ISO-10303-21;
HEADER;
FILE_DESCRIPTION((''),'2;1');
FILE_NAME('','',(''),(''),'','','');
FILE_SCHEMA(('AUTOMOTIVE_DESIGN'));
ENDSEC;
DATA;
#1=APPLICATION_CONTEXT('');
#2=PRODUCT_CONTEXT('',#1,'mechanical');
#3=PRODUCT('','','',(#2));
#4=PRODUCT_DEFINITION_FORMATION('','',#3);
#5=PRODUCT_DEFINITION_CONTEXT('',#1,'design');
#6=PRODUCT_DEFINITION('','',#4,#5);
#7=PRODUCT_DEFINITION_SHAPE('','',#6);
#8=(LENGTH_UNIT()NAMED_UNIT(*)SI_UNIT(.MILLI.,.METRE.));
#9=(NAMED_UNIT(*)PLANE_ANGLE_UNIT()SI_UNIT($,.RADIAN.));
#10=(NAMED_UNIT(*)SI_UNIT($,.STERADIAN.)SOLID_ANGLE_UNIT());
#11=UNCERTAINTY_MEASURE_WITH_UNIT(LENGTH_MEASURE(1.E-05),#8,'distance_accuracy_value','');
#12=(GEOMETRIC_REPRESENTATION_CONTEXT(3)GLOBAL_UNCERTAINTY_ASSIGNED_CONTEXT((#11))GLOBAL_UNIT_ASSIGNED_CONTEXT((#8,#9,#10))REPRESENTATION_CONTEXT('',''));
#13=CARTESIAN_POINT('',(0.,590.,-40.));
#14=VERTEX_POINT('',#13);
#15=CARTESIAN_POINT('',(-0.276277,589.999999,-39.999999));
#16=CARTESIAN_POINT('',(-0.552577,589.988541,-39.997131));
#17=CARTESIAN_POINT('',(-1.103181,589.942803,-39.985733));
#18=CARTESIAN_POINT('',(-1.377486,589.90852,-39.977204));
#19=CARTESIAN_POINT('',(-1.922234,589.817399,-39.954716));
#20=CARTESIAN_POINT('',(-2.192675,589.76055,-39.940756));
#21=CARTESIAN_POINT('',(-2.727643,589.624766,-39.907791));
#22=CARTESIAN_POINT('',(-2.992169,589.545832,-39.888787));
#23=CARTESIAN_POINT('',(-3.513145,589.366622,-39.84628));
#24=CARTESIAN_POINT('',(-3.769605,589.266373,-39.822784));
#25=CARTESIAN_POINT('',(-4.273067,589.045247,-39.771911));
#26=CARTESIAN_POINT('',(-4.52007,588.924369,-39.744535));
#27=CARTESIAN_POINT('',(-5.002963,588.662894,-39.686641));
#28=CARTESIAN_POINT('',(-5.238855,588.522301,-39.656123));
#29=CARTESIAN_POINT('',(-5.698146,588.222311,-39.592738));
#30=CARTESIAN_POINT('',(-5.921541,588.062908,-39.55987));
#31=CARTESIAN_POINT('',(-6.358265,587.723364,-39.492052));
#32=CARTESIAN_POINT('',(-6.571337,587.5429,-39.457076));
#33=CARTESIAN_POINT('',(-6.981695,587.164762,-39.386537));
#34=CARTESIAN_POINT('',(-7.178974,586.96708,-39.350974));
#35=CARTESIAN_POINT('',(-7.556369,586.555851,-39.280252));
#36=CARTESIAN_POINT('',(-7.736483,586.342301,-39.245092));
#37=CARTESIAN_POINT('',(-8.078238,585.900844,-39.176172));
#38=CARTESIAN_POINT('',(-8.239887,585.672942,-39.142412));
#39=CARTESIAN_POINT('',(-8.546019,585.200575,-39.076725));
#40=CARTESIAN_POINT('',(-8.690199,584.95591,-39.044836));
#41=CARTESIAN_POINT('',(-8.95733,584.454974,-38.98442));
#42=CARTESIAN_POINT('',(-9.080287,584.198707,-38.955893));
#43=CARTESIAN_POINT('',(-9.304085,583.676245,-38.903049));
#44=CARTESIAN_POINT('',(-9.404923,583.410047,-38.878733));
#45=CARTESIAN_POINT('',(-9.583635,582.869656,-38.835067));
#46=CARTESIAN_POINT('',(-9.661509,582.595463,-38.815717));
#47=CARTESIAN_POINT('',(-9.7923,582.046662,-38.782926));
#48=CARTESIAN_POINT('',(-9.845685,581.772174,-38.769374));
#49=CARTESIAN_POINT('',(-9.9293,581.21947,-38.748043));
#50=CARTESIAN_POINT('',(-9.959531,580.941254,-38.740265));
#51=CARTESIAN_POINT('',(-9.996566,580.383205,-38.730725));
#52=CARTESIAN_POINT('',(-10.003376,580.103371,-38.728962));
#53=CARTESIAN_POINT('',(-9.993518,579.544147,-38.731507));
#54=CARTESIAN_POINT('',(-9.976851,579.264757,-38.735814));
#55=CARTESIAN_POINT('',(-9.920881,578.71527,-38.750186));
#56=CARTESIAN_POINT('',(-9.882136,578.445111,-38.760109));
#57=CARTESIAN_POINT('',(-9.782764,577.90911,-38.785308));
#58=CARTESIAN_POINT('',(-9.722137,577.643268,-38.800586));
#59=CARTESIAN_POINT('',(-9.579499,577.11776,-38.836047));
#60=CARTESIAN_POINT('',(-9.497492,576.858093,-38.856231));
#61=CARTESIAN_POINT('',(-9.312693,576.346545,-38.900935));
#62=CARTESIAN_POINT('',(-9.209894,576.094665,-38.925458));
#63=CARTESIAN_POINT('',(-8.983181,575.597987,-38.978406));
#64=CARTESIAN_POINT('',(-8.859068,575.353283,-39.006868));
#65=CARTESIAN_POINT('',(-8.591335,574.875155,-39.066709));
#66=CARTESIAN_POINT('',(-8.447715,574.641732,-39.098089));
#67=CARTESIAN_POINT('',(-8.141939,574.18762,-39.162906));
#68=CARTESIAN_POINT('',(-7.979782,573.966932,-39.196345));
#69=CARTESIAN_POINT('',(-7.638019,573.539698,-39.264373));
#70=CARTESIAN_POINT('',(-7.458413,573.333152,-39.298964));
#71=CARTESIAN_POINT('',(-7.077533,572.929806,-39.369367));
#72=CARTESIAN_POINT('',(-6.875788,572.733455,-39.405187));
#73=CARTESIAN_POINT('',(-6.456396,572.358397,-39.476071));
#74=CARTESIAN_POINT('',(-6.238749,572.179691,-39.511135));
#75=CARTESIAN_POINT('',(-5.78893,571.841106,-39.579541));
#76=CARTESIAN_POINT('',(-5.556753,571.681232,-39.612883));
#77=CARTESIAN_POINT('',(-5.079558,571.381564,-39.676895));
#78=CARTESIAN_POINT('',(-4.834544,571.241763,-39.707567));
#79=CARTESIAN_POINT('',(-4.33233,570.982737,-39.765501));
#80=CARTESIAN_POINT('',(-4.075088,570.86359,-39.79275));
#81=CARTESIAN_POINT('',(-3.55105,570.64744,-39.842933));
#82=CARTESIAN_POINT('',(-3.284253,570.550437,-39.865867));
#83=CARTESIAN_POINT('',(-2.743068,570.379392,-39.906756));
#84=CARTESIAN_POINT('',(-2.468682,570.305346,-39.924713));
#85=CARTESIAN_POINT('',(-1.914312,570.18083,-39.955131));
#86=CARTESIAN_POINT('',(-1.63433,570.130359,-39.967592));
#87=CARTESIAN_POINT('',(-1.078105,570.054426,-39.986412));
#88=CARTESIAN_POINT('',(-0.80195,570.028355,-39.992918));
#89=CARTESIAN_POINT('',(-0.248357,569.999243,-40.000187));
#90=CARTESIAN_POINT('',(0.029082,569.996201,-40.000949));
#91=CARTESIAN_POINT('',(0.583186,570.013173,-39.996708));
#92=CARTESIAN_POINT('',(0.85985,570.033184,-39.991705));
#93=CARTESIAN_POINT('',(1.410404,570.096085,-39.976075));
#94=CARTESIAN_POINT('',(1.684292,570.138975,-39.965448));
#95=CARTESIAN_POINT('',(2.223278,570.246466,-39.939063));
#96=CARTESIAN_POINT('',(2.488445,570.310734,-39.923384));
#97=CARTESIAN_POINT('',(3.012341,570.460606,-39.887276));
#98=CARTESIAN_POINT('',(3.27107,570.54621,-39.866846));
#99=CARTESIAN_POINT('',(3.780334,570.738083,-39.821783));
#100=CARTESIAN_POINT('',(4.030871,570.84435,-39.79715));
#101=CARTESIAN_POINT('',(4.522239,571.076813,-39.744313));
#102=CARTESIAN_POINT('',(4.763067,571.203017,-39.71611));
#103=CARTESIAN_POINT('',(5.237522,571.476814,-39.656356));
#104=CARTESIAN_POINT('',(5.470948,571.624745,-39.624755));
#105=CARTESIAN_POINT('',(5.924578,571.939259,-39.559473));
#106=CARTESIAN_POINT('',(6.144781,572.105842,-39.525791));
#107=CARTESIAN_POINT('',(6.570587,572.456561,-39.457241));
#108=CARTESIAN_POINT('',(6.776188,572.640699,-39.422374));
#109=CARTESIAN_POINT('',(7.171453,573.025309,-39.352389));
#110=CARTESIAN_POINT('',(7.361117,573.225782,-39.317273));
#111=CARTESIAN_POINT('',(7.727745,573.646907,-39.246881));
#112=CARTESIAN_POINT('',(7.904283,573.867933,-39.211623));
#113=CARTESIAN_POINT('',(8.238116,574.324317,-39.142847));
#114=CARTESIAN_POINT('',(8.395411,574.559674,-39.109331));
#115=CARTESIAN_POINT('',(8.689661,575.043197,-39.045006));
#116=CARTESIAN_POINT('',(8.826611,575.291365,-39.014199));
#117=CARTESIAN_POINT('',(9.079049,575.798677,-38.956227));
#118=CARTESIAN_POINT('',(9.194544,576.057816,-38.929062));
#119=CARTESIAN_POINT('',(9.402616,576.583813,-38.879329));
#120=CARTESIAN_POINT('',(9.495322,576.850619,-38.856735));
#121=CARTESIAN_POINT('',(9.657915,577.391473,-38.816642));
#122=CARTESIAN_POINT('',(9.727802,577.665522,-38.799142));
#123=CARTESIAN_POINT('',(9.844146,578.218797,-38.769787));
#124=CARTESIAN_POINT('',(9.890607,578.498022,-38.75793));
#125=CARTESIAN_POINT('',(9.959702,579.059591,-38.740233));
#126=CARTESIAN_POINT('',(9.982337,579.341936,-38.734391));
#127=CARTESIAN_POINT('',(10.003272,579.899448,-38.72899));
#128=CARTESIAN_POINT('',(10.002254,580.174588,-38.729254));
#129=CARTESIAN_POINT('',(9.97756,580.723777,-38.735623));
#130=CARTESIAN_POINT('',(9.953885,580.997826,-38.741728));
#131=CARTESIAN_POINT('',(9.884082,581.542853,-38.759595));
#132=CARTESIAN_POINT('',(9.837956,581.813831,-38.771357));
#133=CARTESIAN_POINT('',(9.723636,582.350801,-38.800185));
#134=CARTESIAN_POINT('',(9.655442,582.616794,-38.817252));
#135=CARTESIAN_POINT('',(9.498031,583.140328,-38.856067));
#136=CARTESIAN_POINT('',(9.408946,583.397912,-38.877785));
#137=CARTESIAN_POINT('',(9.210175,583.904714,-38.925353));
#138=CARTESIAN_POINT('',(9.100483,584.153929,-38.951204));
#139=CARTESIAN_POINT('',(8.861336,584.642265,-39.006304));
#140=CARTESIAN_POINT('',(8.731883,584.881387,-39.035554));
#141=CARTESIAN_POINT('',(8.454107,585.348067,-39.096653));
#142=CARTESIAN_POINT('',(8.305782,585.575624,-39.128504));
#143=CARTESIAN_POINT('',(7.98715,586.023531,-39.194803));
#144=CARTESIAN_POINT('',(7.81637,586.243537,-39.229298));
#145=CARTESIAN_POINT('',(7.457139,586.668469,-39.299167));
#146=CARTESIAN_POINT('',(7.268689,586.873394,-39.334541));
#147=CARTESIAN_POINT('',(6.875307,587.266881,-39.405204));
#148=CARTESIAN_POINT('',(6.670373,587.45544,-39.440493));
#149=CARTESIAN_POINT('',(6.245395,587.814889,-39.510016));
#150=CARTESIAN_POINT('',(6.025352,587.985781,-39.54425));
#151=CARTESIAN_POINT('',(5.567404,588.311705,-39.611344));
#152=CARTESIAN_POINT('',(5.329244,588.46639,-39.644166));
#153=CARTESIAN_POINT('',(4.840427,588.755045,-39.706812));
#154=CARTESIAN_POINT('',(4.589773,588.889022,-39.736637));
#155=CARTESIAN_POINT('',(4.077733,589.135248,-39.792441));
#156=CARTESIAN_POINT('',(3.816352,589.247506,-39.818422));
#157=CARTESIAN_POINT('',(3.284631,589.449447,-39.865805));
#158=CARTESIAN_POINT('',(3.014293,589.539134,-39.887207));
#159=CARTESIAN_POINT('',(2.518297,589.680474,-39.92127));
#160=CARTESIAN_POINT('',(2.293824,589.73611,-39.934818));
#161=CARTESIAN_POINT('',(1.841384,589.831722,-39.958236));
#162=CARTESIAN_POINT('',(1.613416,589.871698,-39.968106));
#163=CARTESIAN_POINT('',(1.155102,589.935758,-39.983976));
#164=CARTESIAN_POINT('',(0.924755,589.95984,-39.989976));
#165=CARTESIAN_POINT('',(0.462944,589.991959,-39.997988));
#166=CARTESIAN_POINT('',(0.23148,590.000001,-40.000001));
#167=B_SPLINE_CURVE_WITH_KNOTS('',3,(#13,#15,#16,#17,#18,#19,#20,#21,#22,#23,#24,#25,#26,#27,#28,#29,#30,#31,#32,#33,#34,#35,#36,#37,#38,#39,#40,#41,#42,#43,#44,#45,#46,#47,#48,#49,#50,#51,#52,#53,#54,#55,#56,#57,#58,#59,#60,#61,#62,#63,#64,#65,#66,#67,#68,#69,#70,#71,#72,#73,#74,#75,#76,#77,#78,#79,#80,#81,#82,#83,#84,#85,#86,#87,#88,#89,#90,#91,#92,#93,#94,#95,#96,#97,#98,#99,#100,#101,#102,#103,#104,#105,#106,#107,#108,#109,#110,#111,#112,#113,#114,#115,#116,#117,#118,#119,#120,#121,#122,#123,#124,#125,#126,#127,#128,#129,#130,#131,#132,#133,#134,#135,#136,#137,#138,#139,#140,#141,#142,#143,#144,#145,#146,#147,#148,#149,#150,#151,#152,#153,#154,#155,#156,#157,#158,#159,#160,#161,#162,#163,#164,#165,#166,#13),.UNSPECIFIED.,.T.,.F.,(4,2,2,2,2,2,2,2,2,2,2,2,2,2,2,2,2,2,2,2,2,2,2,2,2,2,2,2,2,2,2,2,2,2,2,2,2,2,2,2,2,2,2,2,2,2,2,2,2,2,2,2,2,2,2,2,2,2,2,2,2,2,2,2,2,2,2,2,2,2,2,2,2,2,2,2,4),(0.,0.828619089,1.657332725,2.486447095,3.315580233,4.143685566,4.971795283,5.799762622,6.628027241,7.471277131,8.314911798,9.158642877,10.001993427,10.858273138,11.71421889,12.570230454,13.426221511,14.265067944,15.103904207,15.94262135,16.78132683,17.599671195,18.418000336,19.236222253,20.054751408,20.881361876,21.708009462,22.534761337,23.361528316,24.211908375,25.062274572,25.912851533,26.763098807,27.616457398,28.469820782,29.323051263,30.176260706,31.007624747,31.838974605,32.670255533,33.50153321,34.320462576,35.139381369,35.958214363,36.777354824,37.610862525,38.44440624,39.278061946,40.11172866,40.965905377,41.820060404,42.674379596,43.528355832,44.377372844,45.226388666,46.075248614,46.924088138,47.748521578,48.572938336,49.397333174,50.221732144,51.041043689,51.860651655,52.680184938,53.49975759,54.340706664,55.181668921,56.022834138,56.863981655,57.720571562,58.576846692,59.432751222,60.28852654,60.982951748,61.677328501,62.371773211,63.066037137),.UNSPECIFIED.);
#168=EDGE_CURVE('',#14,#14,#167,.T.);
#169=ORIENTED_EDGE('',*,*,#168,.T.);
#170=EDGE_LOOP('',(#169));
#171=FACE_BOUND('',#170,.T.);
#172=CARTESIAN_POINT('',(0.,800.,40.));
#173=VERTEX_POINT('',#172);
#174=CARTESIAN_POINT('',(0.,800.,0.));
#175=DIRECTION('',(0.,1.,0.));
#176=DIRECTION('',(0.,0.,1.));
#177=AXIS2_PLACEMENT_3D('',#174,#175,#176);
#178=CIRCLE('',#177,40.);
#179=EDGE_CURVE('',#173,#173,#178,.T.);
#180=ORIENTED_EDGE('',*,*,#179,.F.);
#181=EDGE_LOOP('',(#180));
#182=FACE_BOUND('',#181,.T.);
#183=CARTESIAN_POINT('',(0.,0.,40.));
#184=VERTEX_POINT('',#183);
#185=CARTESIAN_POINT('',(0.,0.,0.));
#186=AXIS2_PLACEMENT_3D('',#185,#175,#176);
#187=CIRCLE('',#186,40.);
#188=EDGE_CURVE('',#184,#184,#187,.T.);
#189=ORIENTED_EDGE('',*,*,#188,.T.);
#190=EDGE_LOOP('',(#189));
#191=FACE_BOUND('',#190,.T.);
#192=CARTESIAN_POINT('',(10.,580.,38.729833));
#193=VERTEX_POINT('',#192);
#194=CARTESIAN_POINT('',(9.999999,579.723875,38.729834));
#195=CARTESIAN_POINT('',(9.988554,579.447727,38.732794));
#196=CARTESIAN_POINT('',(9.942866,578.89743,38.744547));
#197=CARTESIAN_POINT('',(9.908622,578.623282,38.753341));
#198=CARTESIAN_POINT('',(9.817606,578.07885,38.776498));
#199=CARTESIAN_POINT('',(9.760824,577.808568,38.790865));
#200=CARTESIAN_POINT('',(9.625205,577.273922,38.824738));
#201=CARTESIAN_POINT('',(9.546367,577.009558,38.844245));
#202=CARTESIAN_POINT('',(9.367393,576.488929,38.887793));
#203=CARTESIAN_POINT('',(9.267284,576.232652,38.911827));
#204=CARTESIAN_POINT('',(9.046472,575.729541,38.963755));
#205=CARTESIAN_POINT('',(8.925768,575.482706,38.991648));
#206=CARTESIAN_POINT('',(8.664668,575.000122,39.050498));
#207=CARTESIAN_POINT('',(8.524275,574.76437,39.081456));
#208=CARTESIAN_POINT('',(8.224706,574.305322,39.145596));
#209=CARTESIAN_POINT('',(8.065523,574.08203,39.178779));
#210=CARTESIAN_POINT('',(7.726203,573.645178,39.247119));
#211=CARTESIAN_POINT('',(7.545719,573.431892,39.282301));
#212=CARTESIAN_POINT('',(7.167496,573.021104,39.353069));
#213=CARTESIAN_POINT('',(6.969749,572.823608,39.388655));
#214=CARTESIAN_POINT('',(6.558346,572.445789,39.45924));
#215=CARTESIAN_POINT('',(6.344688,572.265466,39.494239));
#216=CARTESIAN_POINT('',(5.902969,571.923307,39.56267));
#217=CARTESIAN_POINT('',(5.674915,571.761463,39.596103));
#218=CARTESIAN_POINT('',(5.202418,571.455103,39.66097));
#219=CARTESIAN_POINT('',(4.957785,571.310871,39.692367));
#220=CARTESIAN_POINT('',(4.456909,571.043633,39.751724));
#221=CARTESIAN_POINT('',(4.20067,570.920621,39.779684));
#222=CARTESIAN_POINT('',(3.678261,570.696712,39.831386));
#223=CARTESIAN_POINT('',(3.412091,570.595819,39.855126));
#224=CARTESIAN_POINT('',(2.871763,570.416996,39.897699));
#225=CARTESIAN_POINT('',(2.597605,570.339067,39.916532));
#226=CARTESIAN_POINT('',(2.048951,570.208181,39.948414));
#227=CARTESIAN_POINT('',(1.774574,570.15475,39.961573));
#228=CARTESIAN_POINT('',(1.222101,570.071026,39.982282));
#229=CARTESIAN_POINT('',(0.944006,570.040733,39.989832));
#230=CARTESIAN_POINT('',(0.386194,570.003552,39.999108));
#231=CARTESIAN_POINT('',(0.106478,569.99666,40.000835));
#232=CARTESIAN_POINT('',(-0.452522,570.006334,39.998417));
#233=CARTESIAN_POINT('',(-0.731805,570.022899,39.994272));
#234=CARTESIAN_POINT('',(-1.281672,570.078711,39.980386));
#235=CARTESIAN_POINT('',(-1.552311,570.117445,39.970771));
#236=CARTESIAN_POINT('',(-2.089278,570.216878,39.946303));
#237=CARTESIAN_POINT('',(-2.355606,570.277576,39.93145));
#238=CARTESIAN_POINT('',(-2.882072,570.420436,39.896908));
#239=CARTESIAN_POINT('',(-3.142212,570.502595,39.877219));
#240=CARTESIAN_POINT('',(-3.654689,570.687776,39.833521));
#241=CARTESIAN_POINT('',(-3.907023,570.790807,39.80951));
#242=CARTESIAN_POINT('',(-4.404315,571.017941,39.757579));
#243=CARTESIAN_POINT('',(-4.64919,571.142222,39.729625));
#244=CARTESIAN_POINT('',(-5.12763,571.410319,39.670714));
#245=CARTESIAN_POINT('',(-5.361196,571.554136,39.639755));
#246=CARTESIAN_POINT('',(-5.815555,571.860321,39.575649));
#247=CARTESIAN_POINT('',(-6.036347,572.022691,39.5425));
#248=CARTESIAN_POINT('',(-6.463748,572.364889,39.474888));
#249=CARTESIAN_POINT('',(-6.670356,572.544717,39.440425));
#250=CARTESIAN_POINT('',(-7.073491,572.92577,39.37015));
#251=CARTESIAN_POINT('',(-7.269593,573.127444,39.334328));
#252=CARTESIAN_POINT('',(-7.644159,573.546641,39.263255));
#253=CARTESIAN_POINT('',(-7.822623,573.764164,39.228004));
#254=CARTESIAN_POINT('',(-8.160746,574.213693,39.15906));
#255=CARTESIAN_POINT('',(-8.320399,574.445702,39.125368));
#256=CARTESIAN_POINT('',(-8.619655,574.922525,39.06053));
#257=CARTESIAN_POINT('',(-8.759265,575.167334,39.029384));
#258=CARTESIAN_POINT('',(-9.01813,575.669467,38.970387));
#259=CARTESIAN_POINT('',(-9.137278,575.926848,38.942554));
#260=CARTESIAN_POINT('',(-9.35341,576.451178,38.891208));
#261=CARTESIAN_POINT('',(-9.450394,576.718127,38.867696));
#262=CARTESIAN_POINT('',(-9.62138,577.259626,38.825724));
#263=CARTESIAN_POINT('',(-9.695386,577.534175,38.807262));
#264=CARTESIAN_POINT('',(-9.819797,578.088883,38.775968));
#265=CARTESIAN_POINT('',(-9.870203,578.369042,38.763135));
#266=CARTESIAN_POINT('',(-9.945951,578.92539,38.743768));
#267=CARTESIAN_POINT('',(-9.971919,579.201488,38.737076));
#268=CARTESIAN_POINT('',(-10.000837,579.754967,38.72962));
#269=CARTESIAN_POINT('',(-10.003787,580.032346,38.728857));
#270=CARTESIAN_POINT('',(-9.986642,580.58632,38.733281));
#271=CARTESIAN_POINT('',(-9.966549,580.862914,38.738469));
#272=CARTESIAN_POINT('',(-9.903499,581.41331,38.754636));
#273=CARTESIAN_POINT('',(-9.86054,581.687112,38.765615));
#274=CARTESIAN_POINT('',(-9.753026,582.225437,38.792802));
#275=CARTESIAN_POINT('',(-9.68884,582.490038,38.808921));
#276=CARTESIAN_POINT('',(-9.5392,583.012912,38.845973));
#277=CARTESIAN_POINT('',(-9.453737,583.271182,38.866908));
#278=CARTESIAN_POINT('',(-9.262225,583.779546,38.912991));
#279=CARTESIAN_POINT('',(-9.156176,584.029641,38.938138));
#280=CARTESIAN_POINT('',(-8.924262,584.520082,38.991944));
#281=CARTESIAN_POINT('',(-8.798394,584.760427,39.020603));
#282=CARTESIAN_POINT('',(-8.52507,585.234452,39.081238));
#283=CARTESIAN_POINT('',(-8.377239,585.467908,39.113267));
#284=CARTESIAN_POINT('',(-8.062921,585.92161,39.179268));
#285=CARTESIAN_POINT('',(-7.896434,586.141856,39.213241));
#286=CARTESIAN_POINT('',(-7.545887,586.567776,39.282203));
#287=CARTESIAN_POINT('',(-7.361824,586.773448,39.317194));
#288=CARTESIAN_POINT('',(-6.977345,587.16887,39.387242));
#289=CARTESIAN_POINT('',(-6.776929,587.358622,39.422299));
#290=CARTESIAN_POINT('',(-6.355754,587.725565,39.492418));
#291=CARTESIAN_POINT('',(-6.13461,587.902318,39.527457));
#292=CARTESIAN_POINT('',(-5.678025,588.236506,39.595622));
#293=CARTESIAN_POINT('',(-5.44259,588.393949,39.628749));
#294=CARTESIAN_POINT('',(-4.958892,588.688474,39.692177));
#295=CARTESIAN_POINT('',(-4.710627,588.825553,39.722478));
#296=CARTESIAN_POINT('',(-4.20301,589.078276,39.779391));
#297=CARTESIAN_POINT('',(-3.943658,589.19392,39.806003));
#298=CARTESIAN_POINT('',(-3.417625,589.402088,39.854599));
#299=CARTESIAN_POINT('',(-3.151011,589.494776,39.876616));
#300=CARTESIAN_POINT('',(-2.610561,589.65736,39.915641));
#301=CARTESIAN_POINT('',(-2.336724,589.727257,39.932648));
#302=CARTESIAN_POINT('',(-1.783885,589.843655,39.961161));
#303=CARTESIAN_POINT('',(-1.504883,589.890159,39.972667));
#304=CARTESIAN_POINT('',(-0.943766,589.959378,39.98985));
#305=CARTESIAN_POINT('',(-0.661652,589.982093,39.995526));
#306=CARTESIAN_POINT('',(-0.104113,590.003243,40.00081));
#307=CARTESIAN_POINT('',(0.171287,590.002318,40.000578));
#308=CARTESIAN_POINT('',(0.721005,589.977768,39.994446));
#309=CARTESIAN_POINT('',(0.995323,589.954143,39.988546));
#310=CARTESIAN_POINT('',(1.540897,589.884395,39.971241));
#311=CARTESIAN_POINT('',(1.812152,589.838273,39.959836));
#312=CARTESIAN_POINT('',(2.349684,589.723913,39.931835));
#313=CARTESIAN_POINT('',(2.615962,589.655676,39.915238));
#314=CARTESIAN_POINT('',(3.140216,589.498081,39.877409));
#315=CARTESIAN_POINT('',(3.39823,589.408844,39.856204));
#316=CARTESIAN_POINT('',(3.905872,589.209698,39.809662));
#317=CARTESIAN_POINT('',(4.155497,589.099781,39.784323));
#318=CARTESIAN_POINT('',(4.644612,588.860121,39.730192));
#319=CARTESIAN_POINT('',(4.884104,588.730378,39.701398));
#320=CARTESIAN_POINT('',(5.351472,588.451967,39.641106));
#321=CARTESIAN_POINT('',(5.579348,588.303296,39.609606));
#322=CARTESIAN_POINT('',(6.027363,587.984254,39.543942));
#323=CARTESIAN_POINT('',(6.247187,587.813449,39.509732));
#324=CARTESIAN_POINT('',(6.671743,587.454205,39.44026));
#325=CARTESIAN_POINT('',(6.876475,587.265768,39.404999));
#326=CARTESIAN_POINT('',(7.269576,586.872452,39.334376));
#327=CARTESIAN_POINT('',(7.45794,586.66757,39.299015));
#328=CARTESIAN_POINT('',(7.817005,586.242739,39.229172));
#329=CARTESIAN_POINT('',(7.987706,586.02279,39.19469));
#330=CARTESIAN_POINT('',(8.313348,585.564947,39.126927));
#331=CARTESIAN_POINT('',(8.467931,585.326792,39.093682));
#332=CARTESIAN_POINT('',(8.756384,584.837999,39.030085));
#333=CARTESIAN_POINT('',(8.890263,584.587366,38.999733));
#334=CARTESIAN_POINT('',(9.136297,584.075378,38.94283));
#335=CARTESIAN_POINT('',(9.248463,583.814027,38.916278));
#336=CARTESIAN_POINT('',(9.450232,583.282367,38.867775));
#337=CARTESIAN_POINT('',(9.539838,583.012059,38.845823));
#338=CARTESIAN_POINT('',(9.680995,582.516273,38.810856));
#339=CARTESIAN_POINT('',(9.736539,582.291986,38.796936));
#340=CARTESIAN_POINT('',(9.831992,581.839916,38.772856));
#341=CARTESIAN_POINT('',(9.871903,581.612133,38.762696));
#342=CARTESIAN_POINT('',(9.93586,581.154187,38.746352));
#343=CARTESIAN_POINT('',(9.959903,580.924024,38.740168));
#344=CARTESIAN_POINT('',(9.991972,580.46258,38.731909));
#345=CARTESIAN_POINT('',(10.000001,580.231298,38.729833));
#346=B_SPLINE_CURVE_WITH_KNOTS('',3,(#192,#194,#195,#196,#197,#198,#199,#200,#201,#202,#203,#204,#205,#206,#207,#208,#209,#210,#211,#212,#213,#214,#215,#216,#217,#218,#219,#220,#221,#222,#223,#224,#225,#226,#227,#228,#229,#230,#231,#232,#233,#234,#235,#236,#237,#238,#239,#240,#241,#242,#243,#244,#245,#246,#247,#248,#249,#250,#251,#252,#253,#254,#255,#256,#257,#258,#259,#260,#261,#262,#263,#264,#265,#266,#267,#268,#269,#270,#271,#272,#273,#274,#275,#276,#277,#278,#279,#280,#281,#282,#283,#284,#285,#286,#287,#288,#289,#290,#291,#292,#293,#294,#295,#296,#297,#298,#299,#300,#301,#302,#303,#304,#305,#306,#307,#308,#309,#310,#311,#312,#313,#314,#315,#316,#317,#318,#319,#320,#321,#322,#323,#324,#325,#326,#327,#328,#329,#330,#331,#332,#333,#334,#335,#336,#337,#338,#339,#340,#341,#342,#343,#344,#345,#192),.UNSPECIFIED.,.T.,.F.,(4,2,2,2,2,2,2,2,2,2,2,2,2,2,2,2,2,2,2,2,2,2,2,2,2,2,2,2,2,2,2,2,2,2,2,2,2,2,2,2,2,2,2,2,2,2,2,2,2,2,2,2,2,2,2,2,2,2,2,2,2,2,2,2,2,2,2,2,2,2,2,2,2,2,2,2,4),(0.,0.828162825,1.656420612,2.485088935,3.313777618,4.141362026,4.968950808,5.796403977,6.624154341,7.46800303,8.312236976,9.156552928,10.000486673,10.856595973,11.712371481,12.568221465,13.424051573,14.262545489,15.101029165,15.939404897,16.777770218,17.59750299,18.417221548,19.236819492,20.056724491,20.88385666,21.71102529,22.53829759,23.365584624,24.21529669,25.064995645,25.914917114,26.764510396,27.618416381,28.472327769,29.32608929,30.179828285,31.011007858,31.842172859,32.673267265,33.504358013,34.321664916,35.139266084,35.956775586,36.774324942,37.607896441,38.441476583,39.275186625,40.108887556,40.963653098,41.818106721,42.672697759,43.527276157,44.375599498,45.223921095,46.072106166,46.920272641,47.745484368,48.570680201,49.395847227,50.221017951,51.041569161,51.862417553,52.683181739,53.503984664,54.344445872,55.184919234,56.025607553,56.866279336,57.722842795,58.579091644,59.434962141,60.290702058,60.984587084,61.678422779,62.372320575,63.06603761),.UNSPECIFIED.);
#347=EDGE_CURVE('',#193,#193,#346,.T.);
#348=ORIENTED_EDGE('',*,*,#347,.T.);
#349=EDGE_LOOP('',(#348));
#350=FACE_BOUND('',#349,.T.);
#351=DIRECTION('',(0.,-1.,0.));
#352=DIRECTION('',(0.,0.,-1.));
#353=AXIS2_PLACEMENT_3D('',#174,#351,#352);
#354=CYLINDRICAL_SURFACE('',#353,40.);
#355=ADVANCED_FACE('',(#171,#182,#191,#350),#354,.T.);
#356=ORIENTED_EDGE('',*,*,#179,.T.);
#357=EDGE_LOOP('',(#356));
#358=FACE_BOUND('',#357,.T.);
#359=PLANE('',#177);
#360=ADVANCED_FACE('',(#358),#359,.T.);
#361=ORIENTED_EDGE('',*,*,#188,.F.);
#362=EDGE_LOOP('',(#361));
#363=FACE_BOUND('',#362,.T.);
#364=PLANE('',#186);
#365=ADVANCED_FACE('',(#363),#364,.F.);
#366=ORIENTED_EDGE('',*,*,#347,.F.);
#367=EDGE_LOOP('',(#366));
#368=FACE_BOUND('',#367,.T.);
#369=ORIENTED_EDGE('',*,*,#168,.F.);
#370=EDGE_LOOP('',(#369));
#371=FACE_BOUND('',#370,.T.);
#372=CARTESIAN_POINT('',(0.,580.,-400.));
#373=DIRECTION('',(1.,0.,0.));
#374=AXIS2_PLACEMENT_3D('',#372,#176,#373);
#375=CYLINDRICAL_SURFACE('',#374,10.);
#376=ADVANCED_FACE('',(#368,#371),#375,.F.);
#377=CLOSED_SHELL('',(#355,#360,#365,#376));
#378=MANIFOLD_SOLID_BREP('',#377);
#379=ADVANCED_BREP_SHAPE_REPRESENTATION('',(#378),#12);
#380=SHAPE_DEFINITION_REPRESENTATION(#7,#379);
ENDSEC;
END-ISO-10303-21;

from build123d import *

# Parameters (mm, degrees)
SKETCH1_R           = 40
BOSS_EXTRUDE1_DEPTH = 800
SKETCH2_R           = 10
CUT_EXTRUDE1_DEPTH  = 400


with BuildPart() as part:
    # Sketch1 → Boss-Extrude1 (new body)
    with BuildSketch(Plane(origin=(0, 0, 0), x_dir=(1, 0, 0), z_dir=(0, 1, 0))):
        with Locations(Location((0, 0, 0), (0, 0, 270))):
            Circle(SKETCH1_R)
    extrude(amount=BOSS_EXTRUDE1_DEPTH)

    # Sketch2 → Cut-Extrude1 (cut, symmetric)
    with BuildSketch(Plane.XY):
        with Locations(Location((0, 580, 0), (0, 0, 90))):
            Circle(SKETCH2_R)
    extrude(amount=CUT_EXTRUDE1_DEPTH, both=True, mode=Mode.SUBTRACT)


solid = part.part
